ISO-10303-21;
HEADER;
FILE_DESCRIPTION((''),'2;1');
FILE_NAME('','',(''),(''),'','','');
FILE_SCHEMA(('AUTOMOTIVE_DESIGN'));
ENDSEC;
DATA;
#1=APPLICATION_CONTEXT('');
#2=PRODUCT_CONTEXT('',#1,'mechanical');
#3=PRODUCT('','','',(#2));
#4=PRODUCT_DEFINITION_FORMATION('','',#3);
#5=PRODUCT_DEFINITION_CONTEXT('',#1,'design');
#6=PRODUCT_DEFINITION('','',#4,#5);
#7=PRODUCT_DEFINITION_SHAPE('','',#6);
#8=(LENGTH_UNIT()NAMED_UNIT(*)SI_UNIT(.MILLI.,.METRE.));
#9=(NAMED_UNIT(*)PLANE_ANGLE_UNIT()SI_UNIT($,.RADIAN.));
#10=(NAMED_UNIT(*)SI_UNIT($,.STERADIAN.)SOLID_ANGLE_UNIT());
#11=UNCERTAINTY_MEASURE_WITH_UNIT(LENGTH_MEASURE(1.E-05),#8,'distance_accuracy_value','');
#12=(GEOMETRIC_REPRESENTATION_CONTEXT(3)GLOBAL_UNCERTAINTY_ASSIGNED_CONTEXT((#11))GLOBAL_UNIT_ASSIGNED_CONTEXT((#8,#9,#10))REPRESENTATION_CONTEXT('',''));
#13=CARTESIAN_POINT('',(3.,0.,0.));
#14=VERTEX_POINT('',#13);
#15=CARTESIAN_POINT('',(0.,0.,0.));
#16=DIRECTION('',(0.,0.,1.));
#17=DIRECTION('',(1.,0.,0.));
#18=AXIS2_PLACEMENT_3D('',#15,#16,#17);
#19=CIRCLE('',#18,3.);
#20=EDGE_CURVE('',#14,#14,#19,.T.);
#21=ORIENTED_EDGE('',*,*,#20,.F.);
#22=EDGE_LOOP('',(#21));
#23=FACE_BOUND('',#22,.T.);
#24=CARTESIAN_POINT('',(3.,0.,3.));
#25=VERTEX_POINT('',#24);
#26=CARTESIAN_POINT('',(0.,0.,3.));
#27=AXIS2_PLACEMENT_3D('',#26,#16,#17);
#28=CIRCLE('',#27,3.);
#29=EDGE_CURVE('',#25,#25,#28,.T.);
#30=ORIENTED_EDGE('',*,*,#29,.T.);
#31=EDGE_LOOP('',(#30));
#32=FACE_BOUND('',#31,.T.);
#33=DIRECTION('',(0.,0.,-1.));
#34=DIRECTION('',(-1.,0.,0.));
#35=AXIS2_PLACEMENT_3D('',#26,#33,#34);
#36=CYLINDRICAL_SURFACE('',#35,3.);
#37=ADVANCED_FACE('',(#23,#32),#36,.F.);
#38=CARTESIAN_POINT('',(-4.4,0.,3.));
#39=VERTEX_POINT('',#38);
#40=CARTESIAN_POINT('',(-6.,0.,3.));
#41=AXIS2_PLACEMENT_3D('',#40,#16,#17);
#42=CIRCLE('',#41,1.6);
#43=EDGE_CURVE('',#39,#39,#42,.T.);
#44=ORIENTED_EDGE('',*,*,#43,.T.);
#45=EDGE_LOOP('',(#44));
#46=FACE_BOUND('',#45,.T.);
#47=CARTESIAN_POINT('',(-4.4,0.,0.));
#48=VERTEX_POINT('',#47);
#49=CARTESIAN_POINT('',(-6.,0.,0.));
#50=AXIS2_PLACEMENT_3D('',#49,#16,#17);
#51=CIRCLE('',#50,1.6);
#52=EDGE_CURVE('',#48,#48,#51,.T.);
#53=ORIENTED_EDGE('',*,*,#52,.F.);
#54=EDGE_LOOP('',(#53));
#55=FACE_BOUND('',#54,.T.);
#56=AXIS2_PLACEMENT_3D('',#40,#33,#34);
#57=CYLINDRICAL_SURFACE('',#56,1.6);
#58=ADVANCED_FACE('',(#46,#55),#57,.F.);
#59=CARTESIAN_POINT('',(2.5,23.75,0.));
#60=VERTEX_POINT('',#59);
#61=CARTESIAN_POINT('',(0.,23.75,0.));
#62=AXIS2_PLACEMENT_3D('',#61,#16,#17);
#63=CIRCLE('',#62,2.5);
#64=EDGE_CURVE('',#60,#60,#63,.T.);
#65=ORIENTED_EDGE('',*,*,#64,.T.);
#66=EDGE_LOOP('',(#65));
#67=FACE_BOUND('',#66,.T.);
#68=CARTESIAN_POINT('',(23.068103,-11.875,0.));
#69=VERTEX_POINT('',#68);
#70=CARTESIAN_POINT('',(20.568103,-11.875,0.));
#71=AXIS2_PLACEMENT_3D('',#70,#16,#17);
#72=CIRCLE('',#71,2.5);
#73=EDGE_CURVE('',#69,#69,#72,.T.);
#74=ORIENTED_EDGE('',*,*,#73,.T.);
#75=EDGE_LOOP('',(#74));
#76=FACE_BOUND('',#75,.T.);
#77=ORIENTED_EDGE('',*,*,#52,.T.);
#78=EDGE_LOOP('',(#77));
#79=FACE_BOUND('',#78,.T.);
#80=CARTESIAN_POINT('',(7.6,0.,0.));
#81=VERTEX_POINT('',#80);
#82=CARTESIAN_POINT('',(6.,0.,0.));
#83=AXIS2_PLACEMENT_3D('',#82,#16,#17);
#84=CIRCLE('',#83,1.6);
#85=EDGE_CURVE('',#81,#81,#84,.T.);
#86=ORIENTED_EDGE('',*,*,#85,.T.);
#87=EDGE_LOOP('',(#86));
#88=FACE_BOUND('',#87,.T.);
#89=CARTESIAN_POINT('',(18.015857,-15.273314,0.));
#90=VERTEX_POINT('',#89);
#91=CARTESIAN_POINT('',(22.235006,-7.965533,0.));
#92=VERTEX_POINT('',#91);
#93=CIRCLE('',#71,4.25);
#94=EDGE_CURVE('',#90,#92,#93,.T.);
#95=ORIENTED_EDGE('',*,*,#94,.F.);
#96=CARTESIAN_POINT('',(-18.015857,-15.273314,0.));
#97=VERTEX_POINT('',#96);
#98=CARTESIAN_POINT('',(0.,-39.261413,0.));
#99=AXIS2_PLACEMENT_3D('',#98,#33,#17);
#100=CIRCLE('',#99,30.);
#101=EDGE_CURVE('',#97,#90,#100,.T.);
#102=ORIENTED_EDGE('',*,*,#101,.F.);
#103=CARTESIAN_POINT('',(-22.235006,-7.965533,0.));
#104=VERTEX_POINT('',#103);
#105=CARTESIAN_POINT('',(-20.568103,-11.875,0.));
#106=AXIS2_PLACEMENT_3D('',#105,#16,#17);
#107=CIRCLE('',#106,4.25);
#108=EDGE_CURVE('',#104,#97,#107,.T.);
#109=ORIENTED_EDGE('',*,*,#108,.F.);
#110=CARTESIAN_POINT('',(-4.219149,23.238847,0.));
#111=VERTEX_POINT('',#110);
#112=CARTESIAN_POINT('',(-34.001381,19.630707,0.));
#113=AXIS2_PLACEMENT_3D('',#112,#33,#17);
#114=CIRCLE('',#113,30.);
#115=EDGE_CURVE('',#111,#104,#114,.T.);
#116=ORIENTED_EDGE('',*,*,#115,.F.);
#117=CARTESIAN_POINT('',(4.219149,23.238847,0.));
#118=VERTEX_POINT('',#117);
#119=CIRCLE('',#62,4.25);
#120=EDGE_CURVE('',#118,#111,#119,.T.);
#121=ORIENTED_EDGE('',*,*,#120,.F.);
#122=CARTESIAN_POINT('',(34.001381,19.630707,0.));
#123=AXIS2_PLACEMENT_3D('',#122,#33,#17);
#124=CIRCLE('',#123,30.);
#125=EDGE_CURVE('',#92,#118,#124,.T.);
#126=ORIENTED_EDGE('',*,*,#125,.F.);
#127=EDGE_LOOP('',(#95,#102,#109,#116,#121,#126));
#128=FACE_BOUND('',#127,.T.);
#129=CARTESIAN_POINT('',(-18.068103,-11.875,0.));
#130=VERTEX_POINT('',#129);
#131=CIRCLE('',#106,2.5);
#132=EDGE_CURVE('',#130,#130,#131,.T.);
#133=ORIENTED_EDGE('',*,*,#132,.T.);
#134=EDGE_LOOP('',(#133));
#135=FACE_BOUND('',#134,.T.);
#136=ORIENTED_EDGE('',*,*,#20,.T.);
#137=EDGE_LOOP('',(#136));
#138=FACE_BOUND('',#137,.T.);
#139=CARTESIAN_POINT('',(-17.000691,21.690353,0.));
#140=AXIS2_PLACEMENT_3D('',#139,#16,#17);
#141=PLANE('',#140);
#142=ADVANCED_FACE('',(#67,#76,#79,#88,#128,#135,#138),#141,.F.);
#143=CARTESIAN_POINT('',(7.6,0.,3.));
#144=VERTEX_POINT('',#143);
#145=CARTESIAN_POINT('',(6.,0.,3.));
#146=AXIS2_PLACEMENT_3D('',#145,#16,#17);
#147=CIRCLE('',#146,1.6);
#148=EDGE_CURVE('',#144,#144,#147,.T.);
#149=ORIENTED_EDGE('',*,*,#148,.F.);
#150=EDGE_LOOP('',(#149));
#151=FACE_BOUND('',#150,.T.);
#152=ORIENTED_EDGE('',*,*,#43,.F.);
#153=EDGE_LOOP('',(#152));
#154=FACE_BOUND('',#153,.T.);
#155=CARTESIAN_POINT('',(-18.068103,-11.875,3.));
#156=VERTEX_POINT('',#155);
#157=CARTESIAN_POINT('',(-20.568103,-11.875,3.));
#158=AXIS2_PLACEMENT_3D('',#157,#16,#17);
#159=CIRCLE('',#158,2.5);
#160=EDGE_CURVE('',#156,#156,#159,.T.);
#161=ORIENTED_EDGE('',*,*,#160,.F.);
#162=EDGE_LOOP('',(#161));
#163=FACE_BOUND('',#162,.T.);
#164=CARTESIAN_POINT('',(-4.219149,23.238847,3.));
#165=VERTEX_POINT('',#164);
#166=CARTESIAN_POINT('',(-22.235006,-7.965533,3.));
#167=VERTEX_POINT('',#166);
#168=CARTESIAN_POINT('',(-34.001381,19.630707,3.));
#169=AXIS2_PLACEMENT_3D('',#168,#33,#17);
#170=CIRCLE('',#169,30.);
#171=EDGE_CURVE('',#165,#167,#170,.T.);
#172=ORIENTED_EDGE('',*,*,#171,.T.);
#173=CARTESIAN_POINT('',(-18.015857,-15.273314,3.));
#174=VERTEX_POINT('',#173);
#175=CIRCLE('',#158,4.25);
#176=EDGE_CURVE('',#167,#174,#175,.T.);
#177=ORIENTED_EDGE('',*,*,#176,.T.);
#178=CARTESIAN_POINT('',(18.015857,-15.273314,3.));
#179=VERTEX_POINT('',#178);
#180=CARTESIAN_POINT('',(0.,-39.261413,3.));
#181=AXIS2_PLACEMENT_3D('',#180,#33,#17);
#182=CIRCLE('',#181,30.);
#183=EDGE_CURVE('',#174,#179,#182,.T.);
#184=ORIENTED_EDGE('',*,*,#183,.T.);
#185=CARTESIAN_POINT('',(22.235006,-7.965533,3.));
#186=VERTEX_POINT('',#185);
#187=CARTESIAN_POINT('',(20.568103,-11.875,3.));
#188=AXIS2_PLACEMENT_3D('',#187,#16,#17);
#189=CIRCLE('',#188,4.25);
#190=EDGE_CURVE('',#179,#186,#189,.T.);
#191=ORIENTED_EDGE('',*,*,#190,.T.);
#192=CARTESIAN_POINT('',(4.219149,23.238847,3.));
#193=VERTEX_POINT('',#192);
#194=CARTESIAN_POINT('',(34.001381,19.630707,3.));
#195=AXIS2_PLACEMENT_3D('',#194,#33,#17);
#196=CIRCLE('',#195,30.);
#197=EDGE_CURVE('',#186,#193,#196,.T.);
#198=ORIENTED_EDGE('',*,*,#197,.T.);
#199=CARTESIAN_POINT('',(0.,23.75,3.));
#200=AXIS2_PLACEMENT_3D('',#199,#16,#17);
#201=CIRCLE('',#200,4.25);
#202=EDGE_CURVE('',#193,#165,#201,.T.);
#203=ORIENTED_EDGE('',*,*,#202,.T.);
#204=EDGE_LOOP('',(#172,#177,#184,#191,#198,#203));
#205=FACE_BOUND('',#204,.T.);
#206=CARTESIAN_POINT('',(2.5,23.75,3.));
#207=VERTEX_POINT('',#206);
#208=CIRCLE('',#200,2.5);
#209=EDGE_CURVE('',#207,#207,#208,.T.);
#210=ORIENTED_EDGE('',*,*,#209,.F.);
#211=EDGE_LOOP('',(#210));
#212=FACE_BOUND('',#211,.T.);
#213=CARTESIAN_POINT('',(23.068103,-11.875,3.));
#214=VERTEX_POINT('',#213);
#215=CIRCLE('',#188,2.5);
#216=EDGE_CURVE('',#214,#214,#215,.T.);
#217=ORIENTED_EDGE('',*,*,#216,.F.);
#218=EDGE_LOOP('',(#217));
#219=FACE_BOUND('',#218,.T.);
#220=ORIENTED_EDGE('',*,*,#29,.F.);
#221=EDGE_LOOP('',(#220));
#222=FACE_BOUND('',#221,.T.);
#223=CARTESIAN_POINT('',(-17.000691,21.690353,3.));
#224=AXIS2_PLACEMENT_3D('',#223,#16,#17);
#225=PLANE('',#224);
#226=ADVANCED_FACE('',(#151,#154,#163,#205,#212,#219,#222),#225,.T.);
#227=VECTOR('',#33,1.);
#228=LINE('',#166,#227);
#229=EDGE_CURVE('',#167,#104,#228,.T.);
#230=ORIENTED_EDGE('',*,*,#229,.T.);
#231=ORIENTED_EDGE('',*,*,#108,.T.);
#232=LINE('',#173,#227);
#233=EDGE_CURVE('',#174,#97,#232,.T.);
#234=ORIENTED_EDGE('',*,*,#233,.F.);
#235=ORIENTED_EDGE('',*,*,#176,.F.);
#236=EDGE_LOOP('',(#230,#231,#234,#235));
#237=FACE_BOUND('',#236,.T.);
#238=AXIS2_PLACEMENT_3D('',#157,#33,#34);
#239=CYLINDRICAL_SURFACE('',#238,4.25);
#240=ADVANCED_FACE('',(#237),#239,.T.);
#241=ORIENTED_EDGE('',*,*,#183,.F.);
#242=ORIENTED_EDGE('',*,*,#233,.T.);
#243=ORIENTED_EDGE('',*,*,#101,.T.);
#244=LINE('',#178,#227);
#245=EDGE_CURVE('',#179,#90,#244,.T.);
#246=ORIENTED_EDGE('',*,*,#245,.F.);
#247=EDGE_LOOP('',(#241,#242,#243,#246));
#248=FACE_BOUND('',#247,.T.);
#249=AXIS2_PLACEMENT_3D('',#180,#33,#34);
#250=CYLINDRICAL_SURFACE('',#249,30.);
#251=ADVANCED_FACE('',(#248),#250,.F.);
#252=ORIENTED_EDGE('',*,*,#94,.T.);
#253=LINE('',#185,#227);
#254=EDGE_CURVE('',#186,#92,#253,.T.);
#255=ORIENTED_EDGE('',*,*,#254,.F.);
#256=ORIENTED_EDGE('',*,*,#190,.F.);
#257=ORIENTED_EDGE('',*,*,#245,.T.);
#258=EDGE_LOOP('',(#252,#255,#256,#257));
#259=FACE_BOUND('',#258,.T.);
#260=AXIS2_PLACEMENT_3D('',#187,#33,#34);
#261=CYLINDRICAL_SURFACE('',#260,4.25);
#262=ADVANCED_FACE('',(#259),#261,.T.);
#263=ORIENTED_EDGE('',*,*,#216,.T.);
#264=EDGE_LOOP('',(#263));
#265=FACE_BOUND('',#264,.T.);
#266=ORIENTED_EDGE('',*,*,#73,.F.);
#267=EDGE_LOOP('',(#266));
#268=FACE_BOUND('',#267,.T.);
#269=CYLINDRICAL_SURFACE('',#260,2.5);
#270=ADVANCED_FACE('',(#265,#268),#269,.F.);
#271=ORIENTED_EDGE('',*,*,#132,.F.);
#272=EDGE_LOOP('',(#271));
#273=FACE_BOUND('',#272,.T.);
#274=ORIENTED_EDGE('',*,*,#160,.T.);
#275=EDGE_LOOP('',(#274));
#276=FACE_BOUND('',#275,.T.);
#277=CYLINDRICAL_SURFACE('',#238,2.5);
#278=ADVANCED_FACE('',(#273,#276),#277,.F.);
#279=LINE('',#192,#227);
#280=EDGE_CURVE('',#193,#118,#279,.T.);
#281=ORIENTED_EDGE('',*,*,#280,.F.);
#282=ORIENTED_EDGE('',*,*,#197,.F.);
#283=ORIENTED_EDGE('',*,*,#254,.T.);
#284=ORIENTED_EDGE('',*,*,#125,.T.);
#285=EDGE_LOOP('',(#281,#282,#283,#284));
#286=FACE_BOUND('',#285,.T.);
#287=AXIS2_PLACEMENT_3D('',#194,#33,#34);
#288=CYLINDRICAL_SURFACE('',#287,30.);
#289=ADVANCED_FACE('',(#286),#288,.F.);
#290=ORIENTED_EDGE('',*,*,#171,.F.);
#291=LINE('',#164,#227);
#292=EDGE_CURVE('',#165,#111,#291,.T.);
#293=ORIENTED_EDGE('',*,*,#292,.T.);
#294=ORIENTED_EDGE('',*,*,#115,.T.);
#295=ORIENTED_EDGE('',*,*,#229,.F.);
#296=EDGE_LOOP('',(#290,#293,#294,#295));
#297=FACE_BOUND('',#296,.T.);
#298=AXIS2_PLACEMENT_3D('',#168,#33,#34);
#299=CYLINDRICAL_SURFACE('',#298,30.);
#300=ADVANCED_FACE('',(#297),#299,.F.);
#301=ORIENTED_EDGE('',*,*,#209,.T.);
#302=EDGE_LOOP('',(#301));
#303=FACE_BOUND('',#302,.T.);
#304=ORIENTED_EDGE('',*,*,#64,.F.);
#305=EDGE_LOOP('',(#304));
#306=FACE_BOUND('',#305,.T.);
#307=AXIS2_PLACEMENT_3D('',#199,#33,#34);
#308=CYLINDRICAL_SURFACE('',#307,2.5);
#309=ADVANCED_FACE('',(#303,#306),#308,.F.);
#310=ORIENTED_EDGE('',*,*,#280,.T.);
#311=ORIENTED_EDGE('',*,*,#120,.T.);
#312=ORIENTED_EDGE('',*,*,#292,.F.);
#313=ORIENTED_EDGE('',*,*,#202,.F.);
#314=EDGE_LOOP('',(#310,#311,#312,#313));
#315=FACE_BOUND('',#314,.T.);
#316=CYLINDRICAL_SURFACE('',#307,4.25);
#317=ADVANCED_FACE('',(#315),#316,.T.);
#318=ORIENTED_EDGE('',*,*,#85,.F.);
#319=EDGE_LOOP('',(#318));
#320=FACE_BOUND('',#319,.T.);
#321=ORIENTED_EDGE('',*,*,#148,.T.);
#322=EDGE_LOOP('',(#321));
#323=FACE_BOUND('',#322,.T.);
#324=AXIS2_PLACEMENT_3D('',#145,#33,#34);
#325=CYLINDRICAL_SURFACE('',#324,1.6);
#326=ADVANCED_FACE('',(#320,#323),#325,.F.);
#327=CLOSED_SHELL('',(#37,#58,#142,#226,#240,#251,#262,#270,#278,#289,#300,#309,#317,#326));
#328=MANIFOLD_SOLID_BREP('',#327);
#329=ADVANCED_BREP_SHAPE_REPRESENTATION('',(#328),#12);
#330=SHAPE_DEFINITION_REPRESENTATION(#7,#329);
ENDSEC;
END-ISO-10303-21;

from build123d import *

# Parameters (mm, degrees)
SKETCH_1_R      = 2.5
SKETCH_1_R_2    = 3
SKETCH_1_R_3    = 1.6
EXTRUDE_1_DEPTH = 3


with BuildPart() as part:
    # ｽｹｯﾁ1 → ﾎﾞｽ - 押し出し1 (new body)
    with BuildSketch(Plane.XY):
        with BuildLine():
            ThreePointArc((-22.235006429, -7.965532761), (-24.248711306, -14), (-18.01585694, -15.27331404))
            ThreePointArc((-18.01585694, -15.27331404), (0, -9.261413146), (18.01585694, -15.27331404))
            ThreePointArc((18.01585694, -15.27331404), (24.248711306, -14), (22.235006429, -7.965532761))
            ThreePointArc((22.235006429, -7.965532761), (8.020619059, 4.630706573), (4.219149489, 23.238846801))
            ThreePointArc((4.219149489, 23.238846801), (0, 28), (-4.219149489, 23.238846801))
            ThreePointArc((-4.219149489, 23.238846801), (-8.020619059, 4.630706573), (-22.235006429, -7.965532761))
        make_face()
        with Locations((0, 23.75)):
            Circle(SKETCH_1_R, mode=Mode.SUBTRACT)
        Circle(SKETCH_1_R_2, mode=Mode.SUBTRACT)
        with Locations((-6, 0)):
            Circle(SKETCH_1_R_3, mode=Mode.SUBTRACT)
        with Locations((6, 0)):
            Circle(SKETCH_1_R_3, mode=Mode.SUBTRACT)
        with Locations((20.56810334, -11.875)):
            Circle(SKETCH_1_R, mode=Mode.SUBTRACT)
        with Locations((-20.56810334, -11.875)):
            Circle(SKETCH_1_R, mode=Mode.SUBTRACT)
    extrude(amount=EXTRUDE_1_DEPTH)


solid = part.part
